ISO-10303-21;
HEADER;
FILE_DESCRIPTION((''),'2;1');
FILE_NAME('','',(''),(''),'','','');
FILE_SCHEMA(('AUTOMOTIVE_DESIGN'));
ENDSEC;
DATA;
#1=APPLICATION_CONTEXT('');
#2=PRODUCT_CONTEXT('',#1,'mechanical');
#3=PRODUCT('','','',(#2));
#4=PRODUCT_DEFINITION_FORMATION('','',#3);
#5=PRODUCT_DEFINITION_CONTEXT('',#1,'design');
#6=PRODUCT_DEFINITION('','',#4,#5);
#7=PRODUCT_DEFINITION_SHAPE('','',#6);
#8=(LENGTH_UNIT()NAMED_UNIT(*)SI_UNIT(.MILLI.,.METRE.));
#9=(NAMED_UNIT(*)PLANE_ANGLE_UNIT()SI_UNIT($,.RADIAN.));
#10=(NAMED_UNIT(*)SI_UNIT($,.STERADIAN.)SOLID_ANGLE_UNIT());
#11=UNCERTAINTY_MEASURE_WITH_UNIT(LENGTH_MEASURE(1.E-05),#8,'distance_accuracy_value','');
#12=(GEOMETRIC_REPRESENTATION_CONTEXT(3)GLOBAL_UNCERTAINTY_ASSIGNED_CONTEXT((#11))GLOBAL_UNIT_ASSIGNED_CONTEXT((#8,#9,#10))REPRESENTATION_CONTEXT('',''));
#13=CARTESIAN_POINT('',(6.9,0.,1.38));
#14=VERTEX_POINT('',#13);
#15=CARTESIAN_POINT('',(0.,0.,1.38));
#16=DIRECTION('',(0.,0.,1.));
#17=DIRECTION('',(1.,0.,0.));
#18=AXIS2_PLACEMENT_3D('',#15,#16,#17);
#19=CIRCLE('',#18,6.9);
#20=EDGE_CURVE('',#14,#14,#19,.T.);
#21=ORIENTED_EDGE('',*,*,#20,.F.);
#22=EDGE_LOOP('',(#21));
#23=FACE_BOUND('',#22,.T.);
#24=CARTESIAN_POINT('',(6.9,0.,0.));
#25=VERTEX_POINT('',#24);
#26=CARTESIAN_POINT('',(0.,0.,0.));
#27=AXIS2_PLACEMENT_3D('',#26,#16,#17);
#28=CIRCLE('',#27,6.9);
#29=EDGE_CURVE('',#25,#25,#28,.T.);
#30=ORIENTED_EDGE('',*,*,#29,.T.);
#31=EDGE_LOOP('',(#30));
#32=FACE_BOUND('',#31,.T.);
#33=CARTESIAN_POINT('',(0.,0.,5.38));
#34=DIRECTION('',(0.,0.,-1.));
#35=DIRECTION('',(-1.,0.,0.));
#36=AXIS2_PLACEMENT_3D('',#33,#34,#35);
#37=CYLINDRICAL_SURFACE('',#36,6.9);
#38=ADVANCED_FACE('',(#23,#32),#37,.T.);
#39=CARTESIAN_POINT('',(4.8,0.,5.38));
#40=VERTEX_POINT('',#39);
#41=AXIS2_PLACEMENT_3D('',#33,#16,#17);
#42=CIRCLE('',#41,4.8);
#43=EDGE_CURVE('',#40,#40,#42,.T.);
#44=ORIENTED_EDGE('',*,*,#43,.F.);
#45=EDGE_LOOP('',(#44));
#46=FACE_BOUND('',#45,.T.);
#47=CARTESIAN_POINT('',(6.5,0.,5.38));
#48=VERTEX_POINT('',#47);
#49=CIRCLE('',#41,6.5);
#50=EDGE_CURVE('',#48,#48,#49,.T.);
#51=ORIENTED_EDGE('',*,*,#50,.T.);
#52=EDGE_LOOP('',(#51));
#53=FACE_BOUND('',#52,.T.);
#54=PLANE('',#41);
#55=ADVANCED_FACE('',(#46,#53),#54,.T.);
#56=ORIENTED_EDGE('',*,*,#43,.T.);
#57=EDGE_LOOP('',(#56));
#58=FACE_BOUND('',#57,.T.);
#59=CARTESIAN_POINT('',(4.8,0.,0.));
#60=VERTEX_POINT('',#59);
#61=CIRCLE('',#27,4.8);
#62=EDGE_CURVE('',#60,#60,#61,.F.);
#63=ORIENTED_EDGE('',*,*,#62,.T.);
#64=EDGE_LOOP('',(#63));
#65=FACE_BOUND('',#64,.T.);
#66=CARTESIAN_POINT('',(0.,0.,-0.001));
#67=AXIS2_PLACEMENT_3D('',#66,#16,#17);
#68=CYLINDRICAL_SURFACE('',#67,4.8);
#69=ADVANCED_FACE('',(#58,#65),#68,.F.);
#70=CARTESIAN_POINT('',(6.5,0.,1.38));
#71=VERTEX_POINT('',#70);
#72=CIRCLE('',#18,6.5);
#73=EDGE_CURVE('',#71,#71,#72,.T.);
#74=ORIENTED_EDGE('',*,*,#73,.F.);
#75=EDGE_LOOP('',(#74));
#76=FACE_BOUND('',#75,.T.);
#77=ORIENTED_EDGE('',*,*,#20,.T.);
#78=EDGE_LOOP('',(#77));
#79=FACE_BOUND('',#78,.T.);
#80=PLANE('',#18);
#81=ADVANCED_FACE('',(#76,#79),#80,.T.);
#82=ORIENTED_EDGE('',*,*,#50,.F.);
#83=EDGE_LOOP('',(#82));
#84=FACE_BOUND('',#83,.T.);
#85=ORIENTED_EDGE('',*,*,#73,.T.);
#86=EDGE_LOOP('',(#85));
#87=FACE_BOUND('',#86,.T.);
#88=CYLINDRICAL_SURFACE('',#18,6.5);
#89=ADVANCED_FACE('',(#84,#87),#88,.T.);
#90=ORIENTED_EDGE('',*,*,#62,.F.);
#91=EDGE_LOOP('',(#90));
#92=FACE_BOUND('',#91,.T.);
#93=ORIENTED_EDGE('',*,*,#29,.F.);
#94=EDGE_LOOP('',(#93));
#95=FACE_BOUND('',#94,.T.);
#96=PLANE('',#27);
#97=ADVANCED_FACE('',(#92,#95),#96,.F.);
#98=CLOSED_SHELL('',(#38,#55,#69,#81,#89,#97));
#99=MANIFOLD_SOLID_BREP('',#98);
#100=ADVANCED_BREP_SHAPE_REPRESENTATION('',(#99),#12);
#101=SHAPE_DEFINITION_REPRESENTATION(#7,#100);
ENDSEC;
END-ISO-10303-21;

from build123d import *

# Parameters (mm, degrees)
CROQUIS1_R              = 6.9
SALIENTE_EXTRUIR3_DEPTH = 5.38
CROQUIS4_OUTSIDE_W      = 19.848
CROQUIS4_OUTSIDE_H      = 19.848
CROQUIS4_OUTSIDE_R      = 6.5
CORTAR_EXTRUIR2_DEPTH   = 4
CORTAR_EXTRUIR3_REACH   = 13.143
CROQUIS5_R              = 4.8


with BuildPart() as part:
    # Croquis1 → Saliente-Extruir3 (new body)
    with BuildSketch(Plane.XY):
        Circle(CROQUIS1_R)
    extrude(amount=SALIENTE_EXTRUIR3_DEPTH)

    # Croquis4 outside → Cortar-Extruir2 (cut)
    with BuildSketch(Plane.XY.offset(5.38)):
        Rectangle(CROQUIS4_OUTSIDE_W, CROQUIS4_OUTSIDE_H)
        Circle(CROQUIS4_OUTSIDE_R, mode=Mode.SUBTRACT)
    extrude(amount=-CORTAR_EXTRUIR2_DEPTH, mode=Mode.SUBTRACT)

    # Croquis5 → Cortar-Extruir3 (cut, up to next)
    with BuildSketch(Plane.XY.offset(5.38), mode=Mode.PRIVATE) as cortar_extruir3_sk1:
        Circle(CROQUIS5_R)
    cortar_extruir3_tool1 = extrude(cortar_extruir3_sk1.sketch, amount=-CORTAR_EXTRUIR3_REACH, mode=Mode.PRIVATE) & part.part
    add(cortar_extruir3_tool1.solids().sort_by_distance((0, 0, 5.38))[0], mode=Mode.SUBTRACT)


solid = part.part
